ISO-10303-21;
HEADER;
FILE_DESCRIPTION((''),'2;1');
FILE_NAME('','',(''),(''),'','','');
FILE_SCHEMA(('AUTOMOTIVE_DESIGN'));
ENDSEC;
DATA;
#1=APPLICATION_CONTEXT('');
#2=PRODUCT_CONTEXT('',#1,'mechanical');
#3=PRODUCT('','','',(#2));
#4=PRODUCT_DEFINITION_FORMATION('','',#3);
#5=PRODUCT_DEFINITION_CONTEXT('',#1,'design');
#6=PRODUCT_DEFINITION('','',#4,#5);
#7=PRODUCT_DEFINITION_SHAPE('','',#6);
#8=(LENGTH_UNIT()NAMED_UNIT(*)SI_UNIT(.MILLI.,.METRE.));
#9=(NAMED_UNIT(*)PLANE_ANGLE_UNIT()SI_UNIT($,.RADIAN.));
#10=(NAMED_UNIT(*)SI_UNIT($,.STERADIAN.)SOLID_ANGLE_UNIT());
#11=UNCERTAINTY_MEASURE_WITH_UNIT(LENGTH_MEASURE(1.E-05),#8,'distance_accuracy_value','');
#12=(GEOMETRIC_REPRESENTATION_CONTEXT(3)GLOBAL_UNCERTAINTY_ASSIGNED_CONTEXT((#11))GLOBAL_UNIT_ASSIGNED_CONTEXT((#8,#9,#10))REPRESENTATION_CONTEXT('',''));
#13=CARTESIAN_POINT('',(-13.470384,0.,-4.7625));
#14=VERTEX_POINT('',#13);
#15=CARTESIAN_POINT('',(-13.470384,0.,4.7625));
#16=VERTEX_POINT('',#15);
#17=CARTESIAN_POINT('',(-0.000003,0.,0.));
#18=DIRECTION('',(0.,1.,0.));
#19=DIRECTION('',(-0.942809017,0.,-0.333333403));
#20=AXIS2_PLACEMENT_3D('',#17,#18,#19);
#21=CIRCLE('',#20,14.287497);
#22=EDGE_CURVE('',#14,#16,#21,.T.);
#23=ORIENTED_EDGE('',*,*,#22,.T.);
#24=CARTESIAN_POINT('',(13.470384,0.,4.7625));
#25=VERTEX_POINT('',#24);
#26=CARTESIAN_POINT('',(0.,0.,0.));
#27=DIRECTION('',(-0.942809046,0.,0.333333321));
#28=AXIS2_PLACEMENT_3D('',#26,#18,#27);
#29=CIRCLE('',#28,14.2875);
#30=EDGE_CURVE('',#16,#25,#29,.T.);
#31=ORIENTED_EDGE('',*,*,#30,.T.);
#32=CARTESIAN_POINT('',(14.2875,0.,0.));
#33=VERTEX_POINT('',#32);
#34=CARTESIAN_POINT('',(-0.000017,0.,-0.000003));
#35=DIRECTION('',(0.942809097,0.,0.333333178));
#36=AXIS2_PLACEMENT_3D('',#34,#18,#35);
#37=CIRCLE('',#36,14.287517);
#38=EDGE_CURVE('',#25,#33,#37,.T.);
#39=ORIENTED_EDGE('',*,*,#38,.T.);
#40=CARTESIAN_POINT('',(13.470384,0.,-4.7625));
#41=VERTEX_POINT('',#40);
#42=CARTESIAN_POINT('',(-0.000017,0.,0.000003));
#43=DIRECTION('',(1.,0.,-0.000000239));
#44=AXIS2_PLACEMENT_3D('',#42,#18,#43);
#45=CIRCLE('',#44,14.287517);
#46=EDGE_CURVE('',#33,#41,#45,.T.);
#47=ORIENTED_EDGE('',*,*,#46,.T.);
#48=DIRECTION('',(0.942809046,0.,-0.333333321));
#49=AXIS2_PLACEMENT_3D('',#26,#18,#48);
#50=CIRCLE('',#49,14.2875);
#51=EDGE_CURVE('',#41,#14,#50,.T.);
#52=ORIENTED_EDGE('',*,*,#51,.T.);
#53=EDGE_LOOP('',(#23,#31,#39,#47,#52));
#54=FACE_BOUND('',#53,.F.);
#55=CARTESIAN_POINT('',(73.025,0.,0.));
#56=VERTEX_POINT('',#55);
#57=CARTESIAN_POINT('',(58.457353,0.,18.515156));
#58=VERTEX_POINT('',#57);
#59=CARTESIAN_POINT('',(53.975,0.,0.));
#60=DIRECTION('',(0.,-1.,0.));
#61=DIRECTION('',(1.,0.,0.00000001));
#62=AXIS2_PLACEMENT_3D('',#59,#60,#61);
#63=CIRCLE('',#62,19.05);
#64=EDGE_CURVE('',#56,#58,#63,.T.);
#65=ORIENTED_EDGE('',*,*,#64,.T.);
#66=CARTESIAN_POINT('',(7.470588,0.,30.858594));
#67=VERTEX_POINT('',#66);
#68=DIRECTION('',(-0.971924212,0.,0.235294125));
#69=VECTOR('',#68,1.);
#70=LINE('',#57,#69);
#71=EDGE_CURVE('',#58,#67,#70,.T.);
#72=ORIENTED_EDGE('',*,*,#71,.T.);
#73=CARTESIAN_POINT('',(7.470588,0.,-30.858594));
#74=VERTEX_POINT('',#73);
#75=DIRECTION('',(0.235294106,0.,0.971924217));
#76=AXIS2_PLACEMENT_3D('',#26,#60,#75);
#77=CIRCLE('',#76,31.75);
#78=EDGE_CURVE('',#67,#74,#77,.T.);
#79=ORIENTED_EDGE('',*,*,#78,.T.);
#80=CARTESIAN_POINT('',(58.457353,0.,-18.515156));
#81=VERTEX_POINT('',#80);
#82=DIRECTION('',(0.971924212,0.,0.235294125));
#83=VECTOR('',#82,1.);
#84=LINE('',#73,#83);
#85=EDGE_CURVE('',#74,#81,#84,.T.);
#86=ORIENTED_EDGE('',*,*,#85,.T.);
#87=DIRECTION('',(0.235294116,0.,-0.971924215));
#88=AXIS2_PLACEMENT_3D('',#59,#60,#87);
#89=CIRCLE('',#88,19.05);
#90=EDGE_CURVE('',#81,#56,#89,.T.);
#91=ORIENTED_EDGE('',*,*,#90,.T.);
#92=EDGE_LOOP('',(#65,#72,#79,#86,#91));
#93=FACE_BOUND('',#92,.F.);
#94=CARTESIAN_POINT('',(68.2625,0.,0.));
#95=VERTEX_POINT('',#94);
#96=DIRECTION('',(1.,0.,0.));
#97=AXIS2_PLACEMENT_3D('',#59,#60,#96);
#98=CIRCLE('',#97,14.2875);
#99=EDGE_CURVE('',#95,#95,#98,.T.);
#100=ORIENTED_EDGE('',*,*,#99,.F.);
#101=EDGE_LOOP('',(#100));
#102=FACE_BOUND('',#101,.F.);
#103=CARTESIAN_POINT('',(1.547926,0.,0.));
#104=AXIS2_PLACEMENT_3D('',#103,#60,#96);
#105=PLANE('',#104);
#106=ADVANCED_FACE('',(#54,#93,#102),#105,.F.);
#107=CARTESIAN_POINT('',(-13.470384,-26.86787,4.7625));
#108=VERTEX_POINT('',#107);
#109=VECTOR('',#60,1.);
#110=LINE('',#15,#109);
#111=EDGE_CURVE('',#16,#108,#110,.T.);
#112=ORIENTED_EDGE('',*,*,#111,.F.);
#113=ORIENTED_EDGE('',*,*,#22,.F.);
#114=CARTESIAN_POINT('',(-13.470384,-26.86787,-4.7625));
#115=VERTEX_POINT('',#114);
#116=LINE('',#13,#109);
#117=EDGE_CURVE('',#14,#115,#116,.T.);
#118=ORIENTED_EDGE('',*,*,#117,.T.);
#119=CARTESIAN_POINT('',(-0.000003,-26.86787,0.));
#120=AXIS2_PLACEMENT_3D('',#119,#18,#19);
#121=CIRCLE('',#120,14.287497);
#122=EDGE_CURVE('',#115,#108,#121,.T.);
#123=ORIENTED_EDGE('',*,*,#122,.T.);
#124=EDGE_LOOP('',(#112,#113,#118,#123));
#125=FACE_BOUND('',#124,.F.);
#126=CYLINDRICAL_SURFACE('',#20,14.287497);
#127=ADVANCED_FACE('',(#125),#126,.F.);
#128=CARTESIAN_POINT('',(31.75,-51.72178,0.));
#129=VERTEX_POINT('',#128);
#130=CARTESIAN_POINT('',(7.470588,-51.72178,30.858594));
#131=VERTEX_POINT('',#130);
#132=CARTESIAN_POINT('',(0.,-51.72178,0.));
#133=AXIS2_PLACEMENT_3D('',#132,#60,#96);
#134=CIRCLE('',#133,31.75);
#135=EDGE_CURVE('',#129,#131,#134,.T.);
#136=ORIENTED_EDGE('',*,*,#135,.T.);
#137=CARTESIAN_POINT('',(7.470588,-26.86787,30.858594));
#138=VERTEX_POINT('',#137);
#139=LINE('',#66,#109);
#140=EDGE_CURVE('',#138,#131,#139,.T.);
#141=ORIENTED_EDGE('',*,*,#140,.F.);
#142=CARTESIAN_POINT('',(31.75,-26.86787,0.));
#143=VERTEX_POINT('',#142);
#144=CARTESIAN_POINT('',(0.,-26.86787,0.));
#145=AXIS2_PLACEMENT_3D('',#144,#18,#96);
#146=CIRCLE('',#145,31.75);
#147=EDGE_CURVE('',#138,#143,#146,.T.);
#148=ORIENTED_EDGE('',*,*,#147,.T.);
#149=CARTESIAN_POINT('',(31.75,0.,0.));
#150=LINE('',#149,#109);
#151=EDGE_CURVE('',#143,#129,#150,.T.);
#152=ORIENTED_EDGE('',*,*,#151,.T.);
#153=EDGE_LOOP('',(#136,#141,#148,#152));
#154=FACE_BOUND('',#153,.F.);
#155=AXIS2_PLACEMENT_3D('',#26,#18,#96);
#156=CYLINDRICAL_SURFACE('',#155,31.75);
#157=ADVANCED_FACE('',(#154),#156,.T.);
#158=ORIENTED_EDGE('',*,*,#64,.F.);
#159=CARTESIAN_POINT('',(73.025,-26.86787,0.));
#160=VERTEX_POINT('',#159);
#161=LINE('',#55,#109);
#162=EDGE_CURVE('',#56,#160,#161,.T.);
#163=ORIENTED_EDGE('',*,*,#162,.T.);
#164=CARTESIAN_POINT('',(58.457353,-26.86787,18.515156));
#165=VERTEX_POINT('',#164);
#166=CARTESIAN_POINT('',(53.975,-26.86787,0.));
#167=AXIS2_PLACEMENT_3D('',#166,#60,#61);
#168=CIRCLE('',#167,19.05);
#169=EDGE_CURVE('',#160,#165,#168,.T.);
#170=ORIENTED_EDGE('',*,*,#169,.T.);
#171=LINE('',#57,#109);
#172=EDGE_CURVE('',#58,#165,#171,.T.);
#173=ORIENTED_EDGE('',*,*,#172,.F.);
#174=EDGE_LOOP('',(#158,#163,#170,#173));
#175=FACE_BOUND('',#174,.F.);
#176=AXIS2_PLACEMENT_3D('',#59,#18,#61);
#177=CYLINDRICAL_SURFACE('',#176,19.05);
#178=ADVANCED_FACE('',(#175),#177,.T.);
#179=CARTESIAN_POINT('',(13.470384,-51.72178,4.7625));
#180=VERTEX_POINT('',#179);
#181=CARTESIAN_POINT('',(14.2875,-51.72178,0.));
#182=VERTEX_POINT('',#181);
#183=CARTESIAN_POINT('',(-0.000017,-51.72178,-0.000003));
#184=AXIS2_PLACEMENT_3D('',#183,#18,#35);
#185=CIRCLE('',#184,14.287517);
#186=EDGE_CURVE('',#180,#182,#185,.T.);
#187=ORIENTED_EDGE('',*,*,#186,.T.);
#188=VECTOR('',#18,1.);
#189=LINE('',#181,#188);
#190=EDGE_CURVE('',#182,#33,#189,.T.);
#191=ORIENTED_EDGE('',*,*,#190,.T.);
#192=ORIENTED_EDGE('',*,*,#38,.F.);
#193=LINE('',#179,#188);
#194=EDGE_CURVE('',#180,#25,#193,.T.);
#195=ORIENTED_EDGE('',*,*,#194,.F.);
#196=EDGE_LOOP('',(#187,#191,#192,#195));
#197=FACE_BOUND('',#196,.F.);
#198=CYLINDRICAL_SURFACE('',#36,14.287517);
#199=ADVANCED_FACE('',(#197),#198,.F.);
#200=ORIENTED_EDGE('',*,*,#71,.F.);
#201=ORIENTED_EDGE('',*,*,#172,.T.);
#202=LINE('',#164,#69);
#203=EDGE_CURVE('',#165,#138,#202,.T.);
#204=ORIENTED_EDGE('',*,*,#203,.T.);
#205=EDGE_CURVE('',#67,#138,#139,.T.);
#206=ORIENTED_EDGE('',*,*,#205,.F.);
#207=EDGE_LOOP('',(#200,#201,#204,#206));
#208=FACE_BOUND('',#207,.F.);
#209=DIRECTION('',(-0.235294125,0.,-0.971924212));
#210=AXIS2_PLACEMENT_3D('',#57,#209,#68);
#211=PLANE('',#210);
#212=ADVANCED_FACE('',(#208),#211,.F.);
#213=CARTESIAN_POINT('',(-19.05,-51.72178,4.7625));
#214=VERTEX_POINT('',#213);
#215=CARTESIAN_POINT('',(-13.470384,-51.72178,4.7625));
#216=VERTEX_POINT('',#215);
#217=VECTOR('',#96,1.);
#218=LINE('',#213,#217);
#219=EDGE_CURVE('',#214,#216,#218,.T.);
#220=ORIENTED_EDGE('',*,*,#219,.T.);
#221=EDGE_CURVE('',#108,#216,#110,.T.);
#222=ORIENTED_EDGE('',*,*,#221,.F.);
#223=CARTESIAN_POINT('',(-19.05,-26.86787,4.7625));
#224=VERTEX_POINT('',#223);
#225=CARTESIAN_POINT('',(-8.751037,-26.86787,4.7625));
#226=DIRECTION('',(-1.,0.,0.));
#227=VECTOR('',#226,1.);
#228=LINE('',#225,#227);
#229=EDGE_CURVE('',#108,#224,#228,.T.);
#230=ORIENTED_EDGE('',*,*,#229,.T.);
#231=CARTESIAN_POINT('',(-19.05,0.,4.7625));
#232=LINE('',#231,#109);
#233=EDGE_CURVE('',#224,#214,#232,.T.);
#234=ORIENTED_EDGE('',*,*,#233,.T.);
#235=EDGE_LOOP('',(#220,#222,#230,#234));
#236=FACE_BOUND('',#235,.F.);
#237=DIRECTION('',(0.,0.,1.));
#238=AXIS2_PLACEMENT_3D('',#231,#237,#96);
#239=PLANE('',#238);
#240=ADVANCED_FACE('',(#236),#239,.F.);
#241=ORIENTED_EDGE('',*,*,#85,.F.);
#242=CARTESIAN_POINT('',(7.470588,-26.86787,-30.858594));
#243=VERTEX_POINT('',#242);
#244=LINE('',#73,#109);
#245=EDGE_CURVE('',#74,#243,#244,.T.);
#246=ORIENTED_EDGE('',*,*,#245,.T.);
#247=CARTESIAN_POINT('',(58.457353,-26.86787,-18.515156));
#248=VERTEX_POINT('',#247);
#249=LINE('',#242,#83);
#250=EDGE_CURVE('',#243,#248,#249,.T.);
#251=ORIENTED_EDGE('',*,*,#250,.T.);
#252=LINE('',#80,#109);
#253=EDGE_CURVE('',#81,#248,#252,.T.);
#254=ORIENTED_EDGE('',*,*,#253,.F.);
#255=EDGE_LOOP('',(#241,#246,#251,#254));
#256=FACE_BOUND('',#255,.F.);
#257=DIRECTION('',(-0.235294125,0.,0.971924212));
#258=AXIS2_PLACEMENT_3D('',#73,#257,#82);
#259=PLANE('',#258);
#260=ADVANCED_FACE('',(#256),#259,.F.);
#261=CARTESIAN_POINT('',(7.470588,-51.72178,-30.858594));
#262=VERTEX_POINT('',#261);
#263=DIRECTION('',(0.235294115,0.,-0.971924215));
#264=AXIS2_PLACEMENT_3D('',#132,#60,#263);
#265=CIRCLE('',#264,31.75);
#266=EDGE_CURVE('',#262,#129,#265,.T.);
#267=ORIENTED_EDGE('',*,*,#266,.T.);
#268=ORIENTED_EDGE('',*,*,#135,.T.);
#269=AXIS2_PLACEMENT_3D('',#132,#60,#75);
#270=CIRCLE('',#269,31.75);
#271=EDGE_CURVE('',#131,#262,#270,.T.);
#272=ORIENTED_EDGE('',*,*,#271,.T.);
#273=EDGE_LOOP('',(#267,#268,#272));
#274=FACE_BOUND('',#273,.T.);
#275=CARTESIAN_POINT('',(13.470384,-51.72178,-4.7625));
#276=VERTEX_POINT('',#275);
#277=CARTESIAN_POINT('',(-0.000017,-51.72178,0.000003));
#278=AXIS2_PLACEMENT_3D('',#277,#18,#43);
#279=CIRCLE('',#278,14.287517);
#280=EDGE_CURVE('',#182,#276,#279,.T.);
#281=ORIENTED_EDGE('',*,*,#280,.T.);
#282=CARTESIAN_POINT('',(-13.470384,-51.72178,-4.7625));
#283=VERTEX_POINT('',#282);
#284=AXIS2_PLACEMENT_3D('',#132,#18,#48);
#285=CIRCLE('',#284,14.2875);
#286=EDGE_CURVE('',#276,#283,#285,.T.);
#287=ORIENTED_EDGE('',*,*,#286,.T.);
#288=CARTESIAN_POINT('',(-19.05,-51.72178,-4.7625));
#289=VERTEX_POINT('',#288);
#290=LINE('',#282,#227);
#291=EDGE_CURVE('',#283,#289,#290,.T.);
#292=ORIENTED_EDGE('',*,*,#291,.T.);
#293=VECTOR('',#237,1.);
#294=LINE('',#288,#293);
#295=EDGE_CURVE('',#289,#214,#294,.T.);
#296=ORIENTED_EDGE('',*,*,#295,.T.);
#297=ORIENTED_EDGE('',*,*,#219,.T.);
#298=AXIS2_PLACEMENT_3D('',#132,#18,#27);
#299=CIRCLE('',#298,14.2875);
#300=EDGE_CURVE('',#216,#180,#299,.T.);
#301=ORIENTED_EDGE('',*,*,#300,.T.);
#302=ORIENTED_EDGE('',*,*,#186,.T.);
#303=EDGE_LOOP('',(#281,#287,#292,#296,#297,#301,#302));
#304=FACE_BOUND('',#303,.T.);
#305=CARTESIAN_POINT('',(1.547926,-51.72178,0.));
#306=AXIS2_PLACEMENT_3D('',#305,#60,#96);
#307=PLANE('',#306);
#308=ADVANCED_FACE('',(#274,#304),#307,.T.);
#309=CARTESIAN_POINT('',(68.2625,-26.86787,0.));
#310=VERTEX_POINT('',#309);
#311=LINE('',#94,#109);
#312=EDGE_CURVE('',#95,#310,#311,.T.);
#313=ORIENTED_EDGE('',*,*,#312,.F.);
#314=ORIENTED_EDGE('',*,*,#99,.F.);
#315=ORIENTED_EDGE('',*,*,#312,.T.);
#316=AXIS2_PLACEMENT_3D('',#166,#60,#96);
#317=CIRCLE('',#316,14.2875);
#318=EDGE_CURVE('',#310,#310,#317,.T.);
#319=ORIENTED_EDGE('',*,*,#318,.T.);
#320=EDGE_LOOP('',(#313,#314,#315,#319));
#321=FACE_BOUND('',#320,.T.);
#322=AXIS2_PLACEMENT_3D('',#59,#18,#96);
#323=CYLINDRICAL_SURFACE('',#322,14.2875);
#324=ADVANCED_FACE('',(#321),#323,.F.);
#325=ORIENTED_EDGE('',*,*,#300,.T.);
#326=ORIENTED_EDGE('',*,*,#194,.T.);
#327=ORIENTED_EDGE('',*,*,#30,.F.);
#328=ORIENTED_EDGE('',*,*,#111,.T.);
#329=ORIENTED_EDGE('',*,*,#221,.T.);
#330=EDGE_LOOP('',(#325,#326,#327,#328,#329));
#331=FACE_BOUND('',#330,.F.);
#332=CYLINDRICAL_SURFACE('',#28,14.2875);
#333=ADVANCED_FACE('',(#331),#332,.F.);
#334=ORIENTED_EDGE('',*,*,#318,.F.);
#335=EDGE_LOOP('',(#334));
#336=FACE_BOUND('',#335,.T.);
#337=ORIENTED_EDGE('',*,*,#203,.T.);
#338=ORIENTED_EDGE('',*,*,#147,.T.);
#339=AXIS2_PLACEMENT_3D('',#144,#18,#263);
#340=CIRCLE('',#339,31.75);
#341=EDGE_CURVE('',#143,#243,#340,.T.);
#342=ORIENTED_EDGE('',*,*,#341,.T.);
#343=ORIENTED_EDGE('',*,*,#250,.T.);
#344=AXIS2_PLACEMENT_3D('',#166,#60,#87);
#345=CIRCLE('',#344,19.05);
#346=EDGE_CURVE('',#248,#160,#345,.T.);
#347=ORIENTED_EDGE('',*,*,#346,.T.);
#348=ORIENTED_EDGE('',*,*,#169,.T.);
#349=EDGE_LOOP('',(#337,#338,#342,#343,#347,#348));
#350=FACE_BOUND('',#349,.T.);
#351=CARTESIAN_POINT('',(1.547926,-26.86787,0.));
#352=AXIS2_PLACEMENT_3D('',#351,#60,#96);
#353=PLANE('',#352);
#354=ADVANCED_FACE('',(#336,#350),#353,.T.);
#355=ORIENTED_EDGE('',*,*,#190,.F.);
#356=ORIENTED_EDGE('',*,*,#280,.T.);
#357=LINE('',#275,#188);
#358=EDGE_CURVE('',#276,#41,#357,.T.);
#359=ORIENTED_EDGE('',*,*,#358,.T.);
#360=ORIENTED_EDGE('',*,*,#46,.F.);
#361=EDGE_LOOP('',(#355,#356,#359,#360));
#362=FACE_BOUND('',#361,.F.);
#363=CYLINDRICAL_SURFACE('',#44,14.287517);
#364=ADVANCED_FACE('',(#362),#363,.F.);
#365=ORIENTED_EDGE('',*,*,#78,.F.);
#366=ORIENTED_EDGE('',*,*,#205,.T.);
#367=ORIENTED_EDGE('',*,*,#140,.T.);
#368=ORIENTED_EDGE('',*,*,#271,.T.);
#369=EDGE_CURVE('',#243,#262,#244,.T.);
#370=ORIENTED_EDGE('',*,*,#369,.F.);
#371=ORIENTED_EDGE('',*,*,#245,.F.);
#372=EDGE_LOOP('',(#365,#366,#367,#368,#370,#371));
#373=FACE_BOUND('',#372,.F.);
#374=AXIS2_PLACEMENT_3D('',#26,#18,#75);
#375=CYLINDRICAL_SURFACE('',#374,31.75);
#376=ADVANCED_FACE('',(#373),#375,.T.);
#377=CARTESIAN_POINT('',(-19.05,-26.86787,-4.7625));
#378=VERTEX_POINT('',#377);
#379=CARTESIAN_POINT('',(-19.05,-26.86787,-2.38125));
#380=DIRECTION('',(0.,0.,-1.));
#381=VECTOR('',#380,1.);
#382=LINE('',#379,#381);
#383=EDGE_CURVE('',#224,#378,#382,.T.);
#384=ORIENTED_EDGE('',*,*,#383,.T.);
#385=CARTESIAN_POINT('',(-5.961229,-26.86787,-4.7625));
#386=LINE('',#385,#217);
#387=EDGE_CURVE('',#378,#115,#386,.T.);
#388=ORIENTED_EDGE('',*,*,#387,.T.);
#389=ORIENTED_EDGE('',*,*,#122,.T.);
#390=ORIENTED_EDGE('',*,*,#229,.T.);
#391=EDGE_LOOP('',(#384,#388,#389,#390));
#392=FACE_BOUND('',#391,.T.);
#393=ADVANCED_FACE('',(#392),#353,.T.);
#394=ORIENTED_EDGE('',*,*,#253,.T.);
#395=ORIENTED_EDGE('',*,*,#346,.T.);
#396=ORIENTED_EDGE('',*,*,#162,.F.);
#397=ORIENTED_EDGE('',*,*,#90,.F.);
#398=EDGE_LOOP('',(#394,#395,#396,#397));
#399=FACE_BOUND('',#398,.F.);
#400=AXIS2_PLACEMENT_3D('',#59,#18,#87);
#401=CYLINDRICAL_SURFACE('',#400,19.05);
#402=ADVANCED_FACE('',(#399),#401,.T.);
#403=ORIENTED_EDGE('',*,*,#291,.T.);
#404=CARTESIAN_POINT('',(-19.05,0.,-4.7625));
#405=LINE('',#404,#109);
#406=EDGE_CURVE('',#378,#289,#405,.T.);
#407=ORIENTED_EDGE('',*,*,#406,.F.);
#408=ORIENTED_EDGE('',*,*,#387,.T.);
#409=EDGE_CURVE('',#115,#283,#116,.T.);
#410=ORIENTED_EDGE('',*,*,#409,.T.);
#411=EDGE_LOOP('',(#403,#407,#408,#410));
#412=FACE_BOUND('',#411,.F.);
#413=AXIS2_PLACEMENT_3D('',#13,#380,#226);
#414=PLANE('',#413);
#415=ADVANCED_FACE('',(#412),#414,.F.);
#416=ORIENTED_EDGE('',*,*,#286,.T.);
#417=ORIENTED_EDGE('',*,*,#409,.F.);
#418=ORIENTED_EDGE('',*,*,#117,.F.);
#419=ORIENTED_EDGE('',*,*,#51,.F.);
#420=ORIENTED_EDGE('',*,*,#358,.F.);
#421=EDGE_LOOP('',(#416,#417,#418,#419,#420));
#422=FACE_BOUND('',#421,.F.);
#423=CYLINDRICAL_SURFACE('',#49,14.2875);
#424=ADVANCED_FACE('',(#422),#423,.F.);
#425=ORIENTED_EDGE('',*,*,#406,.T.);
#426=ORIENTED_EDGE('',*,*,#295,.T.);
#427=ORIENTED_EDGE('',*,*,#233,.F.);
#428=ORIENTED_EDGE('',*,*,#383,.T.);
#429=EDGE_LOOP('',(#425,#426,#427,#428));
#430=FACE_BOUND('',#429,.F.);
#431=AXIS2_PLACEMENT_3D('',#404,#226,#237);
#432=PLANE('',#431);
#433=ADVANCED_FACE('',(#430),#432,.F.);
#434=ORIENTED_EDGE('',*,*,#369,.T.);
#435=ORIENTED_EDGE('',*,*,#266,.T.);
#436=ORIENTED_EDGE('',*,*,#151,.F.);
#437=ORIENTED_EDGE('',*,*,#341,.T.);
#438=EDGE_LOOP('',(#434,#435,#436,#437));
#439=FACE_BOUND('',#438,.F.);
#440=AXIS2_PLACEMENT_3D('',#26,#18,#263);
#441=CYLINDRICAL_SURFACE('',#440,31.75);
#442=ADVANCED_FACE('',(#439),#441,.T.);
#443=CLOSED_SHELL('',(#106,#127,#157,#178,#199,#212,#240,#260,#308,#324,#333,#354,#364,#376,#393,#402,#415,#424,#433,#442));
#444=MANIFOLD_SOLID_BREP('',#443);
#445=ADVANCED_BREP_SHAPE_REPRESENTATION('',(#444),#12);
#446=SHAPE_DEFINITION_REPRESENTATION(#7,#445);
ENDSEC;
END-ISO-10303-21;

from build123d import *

# Parameters (mm, degrees)
F0_R     = 14.2875
F1_DEPTH = 26.86787
F2_DEPTH = 51.72178


with BuildPart() as f1:
    # F0 (on Front) → F1 (new body)
    with BuildSketch(Plane.XZ):
        with BuildLine():
            ThreePointArc((7.470588, -30.858594), (24.952492, -19.632515), (31.75, 0))
            ThreePointArc((31.75, 0), (24.952492, 19.632515), (7.470588, 30.858594))
            ThreePointArc((7.470588, 30.858594), (-31.75, 0), (7.470588, -30.858594))
        make_face()
        with BuildLine():
            ThreePointArc((-13.470384, 4.7625), (0, 14.2875), (13.470384, 4.7625))
            Line((13.470384, 4.7625), (19.05, 4.7625))
            Line((19.05, 4.7625), (19.05, -4.7625))
            Line((19.05, -4.7625), (13.470384, -4.7625))
            ThreePointArc((13.470384, -4.7625), (0, -14.2875), (-13.470384, -4.7625))
            Line((-13.470384, -4.7625), (-19.05, -4.7625))
            Line((-19.05, -4.7625), (-19.05, 4.7625))
            Line((-19.05, 4.7625), (-13.470384, 4.7625))
        make_face(mode=Mode.SUBTRACT)
        with BuildLine():
            ThreePointArc((13.470384, 4.7625), (14.081739, 2.416045), (14.2875, 0))
            ThreePointArc((14.2875, 0), (14.081739, -2.416045), (13.470384, -4.7625))
            Line((13.470384, -4.7625), (19.05, -4.7625))
            Line((19.05, -4.7625), (19.05, 4.7625))
            Line((19.05, 4.7625), (13.470384, 4.7625))
        make_face()
        with BuildLine():
            ThreePointArc((73.025, 0), (68.946495, 11.779509), (58.457353, 18.515156))
            ThreePointArc((58.457353, 18.515156), (34.925, 0), (58.457353, -18.515156))
            ThreePointArc((58.457353, -18.515156), (68.946495, -11.779509), (73.025, 0))
        make_face()
        with Locations((53.975, 0)):
            Circle(F0_R, mode=Mode.SUBTRACT)
        with BuildLine():
            ThreePointArc((7.470588, 30.858594), (24.952492, 19.632515), (31.75, 0))
            ThreePointArc((31.75, 0), (24.952492, -19.632515), (7.470588, -30.858594))
            Line((7.470588, -30.858594), (58.457353, -18.515156))
            ThreePointArc((58.457353, -18.515156), (34.925, 0), (58.457353, 18.515156))
            Line((58.457353, 18.515156), (7.470588, 30.858594))
        make_face()
        with BuildLine():
            ThreePointArc((-13.470384, -4.7625), (-14.2875, 0), (-13.470384, 4.7625))
            Line((-13.470384, 4.7625), (-19.05, 4.7625))
            Line((-19.05, 4.7625), (-19.05, -4.7625))
            Line((-19.05, -4.7625), (-13.470384, -4.7625))
        make_face()
    extrude(amount=F1_DEPTH)

    # F0 (on Front) → F2 (join)
    with BuildSketch(Plane.XZ):
        with BuildLine():
            ThreePointArc((7.470588, -30.858594), (24.952492, -19.632515), (31.75, 0))
            ThreePointArc((31.75, 0), (24.952492, 19.632515), (7.470588, 30.858594))
            ThreePointArc((7.470588, 30.858594), (-31.75, 0), (7.470588, -30.858594))
        make_face()
        with BuildLine():
            ThreePointArc((-13.470384, 4.7625), (0, 14.2875), (13.470384, 4.7625))
            Line((13.470384, 4.7625), (19.05, 4.7625))
            Line((19.05, 4.7625), (19.05, -4.7625))
            Line((19.05, -4.7625), (13.470384, -4.7625))
            ThreePointArc((13.470384, -4.7625), (0, -14.2875), (-13.470384, -4.7625))
            Line((-13.470384, -4.7625), (-19.05, -4.7625))
            Line((-19.05, -4.7625), (-19.05, 4.7625))
            Line((-19.05, 4.7625), (-13.470384, 4.7625))
        make_face(mode=Mode.SUBTRACT)
        with BuildLine():
            ThreePointArc((13.470384, 4.7625), (14.081739, 2.416045), (14.2875, 0))
            ThreePointArc((14.2875, 0), (14.081739, -2.416045), (13.470384, -4.7625))
            Line((13.470384, -4.7625), (19.05, -4.7625))
            Line((19.05, -4.7625), (19.05, 4.7625))
            Line((19.05, 4.7625), (13.470384, 4.7625))
        make_face()
    extrude(amount=F2_DEPTH)


solid = f1.part
